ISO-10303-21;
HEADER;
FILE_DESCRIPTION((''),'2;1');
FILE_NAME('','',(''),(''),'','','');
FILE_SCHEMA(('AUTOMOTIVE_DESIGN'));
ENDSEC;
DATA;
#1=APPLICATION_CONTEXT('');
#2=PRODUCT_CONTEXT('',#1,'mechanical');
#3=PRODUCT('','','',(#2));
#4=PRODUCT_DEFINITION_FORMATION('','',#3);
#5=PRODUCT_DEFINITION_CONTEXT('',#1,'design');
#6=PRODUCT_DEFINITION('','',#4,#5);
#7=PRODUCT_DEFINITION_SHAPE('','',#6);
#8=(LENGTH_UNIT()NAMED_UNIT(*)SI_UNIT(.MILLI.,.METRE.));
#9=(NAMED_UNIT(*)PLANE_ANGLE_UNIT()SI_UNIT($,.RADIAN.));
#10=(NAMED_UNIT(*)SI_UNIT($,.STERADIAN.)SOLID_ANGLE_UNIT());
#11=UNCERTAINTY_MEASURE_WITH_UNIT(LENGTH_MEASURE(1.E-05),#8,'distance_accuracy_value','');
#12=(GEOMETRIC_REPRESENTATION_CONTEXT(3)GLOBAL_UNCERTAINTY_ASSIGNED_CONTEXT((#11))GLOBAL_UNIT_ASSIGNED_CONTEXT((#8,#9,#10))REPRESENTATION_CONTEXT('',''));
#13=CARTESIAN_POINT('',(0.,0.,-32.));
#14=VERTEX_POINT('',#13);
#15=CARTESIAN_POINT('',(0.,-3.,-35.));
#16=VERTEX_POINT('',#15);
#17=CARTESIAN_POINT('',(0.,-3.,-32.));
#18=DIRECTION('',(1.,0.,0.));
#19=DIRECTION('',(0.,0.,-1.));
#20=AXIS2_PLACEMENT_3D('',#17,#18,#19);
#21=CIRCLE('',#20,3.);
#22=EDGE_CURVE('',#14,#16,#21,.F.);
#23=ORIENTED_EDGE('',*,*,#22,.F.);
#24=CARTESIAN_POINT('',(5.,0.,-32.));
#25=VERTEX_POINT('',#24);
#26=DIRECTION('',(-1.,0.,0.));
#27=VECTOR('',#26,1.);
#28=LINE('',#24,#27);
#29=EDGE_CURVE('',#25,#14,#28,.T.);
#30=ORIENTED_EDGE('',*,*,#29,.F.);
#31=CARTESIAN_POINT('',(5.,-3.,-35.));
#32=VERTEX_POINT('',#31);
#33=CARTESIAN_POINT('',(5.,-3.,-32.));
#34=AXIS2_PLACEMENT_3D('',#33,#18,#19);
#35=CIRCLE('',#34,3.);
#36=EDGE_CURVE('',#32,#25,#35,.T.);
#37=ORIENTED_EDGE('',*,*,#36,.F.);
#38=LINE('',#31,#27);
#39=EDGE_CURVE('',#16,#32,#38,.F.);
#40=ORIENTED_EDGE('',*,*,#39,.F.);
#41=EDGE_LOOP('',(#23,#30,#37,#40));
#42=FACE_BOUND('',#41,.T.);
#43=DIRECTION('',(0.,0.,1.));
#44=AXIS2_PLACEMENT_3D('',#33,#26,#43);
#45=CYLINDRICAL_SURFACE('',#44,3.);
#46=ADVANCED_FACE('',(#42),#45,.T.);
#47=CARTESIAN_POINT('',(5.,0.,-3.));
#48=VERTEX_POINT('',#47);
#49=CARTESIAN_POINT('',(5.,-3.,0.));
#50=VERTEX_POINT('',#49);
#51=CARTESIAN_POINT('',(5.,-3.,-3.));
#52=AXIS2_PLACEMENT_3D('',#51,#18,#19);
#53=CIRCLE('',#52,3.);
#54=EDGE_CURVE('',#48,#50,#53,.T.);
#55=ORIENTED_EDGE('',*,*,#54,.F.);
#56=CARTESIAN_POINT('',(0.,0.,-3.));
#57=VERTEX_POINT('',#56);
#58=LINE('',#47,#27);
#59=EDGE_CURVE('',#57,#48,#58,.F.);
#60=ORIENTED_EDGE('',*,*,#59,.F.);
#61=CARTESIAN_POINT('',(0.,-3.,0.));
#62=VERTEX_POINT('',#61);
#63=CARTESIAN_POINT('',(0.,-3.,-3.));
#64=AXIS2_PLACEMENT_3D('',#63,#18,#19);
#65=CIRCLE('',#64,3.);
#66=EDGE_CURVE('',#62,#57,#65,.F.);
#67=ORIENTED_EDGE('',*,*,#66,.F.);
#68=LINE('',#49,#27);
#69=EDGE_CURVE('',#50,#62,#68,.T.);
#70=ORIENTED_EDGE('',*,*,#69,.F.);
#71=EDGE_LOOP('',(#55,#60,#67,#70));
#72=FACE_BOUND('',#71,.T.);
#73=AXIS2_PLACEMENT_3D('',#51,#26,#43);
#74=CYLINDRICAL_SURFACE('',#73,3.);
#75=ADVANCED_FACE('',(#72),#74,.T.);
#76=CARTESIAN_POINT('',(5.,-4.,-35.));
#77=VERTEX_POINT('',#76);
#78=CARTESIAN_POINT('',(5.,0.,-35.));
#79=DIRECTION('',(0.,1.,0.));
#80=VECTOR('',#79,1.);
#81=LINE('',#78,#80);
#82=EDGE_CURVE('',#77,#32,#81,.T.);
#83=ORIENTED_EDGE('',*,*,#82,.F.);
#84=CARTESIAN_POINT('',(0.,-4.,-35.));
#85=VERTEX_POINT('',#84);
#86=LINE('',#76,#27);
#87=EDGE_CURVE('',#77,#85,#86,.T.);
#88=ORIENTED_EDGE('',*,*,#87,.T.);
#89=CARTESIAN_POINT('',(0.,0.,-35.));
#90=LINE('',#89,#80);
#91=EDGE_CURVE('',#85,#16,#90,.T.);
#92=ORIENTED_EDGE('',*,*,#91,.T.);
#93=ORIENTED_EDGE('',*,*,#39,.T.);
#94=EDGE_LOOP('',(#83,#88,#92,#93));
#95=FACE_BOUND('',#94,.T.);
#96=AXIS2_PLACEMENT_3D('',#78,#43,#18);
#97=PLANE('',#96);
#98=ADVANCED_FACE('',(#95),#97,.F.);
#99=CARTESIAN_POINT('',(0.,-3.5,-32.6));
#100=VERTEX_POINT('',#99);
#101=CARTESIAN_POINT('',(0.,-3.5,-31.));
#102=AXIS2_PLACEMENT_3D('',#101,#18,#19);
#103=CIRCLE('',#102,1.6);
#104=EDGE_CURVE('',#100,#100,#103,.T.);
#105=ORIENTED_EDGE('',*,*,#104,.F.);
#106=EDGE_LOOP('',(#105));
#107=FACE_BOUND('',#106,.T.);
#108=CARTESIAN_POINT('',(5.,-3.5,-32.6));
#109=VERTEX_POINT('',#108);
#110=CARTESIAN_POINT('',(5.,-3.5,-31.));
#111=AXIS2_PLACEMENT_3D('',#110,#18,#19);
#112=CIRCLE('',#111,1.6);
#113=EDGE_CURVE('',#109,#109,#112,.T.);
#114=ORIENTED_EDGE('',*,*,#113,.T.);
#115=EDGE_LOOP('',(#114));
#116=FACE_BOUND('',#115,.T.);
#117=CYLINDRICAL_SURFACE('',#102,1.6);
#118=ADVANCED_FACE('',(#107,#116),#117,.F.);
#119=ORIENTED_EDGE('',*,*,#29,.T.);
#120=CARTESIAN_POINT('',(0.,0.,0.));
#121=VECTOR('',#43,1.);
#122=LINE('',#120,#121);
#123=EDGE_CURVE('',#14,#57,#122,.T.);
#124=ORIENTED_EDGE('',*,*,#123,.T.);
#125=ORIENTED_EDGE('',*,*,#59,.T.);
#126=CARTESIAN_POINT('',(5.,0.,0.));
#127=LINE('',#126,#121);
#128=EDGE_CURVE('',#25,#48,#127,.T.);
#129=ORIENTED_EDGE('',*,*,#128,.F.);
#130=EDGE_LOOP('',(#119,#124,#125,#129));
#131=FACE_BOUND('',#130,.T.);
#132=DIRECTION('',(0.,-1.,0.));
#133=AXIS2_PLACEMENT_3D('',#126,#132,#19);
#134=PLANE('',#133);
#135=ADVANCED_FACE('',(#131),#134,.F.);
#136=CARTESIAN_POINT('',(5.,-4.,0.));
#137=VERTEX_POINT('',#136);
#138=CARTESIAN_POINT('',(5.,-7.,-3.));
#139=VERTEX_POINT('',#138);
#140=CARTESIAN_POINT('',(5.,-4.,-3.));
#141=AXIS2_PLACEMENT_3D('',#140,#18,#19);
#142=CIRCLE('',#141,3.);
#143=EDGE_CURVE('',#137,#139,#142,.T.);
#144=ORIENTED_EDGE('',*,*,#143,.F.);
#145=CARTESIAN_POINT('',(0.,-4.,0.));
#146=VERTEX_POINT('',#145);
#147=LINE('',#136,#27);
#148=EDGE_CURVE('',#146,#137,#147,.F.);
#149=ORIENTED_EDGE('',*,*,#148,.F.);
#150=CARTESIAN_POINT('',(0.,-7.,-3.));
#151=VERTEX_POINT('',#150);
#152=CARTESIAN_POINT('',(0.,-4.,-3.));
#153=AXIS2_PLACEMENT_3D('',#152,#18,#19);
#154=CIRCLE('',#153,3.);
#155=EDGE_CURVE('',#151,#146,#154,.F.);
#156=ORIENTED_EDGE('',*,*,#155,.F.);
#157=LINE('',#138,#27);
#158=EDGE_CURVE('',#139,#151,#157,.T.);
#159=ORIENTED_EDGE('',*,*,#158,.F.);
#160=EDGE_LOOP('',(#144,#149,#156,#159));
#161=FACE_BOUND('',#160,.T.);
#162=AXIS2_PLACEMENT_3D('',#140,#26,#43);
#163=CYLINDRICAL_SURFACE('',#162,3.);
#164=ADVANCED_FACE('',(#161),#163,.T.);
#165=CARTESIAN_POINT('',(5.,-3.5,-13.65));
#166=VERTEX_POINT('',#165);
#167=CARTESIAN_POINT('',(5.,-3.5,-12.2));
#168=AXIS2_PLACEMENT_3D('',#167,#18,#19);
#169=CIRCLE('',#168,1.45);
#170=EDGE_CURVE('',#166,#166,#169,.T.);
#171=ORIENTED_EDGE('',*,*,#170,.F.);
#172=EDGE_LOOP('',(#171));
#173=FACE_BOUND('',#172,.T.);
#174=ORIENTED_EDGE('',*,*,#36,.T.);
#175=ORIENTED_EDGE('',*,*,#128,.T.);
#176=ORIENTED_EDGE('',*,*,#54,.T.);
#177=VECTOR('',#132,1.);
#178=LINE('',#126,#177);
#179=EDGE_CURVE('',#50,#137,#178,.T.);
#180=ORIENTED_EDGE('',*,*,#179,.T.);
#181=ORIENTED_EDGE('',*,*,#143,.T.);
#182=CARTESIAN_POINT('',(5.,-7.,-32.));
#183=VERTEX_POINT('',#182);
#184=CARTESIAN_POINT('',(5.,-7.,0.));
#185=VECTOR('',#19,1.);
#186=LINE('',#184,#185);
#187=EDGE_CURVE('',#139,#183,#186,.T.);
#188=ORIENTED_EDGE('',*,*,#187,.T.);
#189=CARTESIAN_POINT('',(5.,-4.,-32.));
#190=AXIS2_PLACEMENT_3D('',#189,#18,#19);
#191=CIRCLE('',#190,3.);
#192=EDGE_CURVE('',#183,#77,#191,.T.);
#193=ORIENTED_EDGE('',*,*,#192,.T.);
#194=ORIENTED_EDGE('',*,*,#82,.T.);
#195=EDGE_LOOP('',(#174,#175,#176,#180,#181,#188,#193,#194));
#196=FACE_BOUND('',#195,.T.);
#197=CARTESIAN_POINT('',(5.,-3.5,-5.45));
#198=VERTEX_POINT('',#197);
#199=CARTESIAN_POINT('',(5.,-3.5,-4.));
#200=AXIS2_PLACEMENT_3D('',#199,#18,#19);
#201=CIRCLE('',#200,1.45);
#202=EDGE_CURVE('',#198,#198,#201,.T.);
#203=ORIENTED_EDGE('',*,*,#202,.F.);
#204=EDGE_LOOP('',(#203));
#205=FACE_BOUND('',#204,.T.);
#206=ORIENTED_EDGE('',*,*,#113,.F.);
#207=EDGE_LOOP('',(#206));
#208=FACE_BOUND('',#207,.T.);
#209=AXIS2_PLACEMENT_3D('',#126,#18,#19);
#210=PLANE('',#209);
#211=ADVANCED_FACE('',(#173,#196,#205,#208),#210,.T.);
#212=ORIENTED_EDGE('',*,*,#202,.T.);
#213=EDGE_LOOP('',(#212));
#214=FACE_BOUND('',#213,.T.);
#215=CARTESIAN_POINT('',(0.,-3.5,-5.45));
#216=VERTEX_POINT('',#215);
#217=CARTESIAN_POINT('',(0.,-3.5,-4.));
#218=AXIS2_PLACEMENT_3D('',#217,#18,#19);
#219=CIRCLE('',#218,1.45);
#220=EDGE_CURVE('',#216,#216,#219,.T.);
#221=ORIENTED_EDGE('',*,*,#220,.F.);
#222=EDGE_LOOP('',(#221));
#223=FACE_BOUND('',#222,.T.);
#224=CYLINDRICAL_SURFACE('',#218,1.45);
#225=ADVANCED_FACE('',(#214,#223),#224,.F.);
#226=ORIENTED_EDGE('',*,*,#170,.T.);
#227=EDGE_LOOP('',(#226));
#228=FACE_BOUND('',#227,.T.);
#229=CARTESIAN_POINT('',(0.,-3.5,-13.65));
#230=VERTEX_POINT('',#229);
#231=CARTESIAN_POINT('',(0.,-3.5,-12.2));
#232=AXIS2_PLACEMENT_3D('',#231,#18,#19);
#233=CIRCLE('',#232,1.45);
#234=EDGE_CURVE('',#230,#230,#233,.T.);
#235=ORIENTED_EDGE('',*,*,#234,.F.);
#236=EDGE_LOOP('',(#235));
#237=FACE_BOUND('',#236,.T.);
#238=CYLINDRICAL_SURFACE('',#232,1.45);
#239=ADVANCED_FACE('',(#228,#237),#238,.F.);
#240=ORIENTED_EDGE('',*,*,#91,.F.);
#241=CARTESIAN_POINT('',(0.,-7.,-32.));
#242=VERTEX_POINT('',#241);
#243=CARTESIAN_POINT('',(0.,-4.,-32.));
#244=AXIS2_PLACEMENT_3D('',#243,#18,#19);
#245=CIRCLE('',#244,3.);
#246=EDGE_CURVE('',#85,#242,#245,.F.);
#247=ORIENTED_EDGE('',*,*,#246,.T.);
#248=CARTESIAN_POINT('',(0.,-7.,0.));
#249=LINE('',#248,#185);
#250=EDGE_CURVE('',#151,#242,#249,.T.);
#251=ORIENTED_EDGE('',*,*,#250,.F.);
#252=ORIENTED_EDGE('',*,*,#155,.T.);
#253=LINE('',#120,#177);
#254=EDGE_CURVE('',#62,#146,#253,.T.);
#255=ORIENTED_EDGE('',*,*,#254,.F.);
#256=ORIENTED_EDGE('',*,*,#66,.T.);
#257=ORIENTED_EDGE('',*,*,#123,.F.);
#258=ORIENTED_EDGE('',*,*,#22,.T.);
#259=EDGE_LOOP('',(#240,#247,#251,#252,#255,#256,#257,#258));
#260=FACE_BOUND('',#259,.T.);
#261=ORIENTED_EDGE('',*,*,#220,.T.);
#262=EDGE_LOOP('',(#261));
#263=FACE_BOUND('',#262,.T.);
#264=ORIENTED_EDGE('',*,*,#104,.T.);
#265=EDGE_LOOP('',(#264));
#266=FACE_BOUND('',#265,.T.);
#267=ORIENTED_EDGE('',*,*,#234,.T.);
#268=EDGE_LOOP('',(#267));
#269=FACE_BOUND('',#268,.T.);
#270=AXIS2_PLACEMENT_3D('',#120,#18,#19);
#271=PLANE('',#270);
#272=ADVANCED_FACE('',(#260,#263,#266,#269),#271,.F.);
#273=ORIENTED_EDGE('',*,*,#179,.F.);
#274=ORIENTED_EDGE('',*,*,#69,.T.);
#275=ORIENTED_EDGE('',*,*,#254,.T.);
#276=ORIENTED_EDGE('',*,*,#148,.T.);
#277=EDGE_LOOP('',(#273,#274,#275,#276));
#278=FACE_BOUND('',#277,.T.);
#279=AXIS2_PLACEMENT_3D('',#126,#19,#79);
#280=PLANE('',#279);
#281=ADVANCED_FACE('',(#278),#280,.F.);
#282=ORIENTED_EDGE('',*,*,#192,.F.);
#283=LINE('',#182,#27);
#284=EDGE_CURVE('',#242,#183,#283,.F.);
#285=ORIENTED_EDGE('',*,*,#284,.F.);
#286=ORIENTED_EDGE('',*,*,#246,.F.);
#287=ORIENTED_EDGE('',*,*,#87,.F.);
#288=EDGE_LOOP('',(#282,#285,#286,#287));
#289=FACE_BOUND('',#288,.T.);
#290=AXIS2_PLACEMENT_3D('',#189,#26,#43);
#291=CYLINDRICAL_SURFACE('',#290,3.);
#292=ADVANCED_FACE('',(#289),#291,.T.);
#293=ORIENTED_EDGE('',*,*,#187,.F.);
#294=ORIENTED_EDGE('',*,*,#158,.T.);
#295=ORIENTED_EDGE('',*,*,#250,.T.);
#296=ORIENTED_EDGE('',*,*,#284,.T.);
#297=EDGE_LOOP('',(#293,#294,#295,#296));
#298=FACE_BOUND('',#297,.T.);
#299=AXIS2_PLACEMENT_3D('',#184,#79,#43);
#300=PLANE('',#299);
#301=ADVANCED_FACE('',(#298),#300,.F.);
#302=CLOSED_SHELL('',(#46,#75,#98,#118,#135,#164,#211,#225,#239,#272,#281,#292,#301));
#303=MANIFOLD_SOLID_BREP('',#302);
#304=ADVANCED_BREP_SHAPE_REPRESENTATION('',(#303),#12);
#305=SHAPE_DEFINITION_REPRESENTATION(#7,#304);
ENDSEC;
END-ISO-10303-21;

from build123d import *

# Parameters (mm, degrees)
SKETCH1_W           = 35
SKETCH1_H           = 7
BOSS_EXTRUDE1_DEPTH = 5
SKETCH2_R           = 1.45
SKETCH2_R_2         = 1.6
CUT_EXTRUDE1_DEPTH  = 37.041642582
FILLET1_R           = 3


with BuildPart() as part:
    # Sketch1 → Boss-Extrude1 (new body)
    with BuildSketch(Plane(origin=(0, 0, 0), x_dir=(0, 0, -1), z_dir=(1, 0, 0))):
        with Locations((17.5, -3.5)):
            Rectangle(SKETCH1_W, SKETCH1_H)
    extrude(amount=BOSS_EXTRUDE1_DEPTH)

    # Sketch2 → Cut-Extrude1 (cut, through all)
    with BuildSketch(Plane(origin=(5, 0, 0), x_dir=(0, 0, -1), z_dir=(1, 0, 0))):
        with Locations((4, -3.5)):
            Circle(SKETCH2_R)
        with Locations((12.2, -3.5)):
            Circle(SKETCH2_R)
        with Locations((31, -3.5)):
            Circle(SKETCH2_R_2)
    extrude(amount=-CUT_EXTRUDE1_DEPTH, mode=Mode.SUBTRACT)

    # Fillet1
    fillet1_edges = [part.edges().sort_by_distance(p)[0] for p in [
        (2.5, 0, 0),
        (2.5, 0, -35),
        (2.5, -7, -35),
        (2.5, -7, 0),
    ]]
    fillet(fillet1_edges, radius=FILLET1_R)


solid = part.part
